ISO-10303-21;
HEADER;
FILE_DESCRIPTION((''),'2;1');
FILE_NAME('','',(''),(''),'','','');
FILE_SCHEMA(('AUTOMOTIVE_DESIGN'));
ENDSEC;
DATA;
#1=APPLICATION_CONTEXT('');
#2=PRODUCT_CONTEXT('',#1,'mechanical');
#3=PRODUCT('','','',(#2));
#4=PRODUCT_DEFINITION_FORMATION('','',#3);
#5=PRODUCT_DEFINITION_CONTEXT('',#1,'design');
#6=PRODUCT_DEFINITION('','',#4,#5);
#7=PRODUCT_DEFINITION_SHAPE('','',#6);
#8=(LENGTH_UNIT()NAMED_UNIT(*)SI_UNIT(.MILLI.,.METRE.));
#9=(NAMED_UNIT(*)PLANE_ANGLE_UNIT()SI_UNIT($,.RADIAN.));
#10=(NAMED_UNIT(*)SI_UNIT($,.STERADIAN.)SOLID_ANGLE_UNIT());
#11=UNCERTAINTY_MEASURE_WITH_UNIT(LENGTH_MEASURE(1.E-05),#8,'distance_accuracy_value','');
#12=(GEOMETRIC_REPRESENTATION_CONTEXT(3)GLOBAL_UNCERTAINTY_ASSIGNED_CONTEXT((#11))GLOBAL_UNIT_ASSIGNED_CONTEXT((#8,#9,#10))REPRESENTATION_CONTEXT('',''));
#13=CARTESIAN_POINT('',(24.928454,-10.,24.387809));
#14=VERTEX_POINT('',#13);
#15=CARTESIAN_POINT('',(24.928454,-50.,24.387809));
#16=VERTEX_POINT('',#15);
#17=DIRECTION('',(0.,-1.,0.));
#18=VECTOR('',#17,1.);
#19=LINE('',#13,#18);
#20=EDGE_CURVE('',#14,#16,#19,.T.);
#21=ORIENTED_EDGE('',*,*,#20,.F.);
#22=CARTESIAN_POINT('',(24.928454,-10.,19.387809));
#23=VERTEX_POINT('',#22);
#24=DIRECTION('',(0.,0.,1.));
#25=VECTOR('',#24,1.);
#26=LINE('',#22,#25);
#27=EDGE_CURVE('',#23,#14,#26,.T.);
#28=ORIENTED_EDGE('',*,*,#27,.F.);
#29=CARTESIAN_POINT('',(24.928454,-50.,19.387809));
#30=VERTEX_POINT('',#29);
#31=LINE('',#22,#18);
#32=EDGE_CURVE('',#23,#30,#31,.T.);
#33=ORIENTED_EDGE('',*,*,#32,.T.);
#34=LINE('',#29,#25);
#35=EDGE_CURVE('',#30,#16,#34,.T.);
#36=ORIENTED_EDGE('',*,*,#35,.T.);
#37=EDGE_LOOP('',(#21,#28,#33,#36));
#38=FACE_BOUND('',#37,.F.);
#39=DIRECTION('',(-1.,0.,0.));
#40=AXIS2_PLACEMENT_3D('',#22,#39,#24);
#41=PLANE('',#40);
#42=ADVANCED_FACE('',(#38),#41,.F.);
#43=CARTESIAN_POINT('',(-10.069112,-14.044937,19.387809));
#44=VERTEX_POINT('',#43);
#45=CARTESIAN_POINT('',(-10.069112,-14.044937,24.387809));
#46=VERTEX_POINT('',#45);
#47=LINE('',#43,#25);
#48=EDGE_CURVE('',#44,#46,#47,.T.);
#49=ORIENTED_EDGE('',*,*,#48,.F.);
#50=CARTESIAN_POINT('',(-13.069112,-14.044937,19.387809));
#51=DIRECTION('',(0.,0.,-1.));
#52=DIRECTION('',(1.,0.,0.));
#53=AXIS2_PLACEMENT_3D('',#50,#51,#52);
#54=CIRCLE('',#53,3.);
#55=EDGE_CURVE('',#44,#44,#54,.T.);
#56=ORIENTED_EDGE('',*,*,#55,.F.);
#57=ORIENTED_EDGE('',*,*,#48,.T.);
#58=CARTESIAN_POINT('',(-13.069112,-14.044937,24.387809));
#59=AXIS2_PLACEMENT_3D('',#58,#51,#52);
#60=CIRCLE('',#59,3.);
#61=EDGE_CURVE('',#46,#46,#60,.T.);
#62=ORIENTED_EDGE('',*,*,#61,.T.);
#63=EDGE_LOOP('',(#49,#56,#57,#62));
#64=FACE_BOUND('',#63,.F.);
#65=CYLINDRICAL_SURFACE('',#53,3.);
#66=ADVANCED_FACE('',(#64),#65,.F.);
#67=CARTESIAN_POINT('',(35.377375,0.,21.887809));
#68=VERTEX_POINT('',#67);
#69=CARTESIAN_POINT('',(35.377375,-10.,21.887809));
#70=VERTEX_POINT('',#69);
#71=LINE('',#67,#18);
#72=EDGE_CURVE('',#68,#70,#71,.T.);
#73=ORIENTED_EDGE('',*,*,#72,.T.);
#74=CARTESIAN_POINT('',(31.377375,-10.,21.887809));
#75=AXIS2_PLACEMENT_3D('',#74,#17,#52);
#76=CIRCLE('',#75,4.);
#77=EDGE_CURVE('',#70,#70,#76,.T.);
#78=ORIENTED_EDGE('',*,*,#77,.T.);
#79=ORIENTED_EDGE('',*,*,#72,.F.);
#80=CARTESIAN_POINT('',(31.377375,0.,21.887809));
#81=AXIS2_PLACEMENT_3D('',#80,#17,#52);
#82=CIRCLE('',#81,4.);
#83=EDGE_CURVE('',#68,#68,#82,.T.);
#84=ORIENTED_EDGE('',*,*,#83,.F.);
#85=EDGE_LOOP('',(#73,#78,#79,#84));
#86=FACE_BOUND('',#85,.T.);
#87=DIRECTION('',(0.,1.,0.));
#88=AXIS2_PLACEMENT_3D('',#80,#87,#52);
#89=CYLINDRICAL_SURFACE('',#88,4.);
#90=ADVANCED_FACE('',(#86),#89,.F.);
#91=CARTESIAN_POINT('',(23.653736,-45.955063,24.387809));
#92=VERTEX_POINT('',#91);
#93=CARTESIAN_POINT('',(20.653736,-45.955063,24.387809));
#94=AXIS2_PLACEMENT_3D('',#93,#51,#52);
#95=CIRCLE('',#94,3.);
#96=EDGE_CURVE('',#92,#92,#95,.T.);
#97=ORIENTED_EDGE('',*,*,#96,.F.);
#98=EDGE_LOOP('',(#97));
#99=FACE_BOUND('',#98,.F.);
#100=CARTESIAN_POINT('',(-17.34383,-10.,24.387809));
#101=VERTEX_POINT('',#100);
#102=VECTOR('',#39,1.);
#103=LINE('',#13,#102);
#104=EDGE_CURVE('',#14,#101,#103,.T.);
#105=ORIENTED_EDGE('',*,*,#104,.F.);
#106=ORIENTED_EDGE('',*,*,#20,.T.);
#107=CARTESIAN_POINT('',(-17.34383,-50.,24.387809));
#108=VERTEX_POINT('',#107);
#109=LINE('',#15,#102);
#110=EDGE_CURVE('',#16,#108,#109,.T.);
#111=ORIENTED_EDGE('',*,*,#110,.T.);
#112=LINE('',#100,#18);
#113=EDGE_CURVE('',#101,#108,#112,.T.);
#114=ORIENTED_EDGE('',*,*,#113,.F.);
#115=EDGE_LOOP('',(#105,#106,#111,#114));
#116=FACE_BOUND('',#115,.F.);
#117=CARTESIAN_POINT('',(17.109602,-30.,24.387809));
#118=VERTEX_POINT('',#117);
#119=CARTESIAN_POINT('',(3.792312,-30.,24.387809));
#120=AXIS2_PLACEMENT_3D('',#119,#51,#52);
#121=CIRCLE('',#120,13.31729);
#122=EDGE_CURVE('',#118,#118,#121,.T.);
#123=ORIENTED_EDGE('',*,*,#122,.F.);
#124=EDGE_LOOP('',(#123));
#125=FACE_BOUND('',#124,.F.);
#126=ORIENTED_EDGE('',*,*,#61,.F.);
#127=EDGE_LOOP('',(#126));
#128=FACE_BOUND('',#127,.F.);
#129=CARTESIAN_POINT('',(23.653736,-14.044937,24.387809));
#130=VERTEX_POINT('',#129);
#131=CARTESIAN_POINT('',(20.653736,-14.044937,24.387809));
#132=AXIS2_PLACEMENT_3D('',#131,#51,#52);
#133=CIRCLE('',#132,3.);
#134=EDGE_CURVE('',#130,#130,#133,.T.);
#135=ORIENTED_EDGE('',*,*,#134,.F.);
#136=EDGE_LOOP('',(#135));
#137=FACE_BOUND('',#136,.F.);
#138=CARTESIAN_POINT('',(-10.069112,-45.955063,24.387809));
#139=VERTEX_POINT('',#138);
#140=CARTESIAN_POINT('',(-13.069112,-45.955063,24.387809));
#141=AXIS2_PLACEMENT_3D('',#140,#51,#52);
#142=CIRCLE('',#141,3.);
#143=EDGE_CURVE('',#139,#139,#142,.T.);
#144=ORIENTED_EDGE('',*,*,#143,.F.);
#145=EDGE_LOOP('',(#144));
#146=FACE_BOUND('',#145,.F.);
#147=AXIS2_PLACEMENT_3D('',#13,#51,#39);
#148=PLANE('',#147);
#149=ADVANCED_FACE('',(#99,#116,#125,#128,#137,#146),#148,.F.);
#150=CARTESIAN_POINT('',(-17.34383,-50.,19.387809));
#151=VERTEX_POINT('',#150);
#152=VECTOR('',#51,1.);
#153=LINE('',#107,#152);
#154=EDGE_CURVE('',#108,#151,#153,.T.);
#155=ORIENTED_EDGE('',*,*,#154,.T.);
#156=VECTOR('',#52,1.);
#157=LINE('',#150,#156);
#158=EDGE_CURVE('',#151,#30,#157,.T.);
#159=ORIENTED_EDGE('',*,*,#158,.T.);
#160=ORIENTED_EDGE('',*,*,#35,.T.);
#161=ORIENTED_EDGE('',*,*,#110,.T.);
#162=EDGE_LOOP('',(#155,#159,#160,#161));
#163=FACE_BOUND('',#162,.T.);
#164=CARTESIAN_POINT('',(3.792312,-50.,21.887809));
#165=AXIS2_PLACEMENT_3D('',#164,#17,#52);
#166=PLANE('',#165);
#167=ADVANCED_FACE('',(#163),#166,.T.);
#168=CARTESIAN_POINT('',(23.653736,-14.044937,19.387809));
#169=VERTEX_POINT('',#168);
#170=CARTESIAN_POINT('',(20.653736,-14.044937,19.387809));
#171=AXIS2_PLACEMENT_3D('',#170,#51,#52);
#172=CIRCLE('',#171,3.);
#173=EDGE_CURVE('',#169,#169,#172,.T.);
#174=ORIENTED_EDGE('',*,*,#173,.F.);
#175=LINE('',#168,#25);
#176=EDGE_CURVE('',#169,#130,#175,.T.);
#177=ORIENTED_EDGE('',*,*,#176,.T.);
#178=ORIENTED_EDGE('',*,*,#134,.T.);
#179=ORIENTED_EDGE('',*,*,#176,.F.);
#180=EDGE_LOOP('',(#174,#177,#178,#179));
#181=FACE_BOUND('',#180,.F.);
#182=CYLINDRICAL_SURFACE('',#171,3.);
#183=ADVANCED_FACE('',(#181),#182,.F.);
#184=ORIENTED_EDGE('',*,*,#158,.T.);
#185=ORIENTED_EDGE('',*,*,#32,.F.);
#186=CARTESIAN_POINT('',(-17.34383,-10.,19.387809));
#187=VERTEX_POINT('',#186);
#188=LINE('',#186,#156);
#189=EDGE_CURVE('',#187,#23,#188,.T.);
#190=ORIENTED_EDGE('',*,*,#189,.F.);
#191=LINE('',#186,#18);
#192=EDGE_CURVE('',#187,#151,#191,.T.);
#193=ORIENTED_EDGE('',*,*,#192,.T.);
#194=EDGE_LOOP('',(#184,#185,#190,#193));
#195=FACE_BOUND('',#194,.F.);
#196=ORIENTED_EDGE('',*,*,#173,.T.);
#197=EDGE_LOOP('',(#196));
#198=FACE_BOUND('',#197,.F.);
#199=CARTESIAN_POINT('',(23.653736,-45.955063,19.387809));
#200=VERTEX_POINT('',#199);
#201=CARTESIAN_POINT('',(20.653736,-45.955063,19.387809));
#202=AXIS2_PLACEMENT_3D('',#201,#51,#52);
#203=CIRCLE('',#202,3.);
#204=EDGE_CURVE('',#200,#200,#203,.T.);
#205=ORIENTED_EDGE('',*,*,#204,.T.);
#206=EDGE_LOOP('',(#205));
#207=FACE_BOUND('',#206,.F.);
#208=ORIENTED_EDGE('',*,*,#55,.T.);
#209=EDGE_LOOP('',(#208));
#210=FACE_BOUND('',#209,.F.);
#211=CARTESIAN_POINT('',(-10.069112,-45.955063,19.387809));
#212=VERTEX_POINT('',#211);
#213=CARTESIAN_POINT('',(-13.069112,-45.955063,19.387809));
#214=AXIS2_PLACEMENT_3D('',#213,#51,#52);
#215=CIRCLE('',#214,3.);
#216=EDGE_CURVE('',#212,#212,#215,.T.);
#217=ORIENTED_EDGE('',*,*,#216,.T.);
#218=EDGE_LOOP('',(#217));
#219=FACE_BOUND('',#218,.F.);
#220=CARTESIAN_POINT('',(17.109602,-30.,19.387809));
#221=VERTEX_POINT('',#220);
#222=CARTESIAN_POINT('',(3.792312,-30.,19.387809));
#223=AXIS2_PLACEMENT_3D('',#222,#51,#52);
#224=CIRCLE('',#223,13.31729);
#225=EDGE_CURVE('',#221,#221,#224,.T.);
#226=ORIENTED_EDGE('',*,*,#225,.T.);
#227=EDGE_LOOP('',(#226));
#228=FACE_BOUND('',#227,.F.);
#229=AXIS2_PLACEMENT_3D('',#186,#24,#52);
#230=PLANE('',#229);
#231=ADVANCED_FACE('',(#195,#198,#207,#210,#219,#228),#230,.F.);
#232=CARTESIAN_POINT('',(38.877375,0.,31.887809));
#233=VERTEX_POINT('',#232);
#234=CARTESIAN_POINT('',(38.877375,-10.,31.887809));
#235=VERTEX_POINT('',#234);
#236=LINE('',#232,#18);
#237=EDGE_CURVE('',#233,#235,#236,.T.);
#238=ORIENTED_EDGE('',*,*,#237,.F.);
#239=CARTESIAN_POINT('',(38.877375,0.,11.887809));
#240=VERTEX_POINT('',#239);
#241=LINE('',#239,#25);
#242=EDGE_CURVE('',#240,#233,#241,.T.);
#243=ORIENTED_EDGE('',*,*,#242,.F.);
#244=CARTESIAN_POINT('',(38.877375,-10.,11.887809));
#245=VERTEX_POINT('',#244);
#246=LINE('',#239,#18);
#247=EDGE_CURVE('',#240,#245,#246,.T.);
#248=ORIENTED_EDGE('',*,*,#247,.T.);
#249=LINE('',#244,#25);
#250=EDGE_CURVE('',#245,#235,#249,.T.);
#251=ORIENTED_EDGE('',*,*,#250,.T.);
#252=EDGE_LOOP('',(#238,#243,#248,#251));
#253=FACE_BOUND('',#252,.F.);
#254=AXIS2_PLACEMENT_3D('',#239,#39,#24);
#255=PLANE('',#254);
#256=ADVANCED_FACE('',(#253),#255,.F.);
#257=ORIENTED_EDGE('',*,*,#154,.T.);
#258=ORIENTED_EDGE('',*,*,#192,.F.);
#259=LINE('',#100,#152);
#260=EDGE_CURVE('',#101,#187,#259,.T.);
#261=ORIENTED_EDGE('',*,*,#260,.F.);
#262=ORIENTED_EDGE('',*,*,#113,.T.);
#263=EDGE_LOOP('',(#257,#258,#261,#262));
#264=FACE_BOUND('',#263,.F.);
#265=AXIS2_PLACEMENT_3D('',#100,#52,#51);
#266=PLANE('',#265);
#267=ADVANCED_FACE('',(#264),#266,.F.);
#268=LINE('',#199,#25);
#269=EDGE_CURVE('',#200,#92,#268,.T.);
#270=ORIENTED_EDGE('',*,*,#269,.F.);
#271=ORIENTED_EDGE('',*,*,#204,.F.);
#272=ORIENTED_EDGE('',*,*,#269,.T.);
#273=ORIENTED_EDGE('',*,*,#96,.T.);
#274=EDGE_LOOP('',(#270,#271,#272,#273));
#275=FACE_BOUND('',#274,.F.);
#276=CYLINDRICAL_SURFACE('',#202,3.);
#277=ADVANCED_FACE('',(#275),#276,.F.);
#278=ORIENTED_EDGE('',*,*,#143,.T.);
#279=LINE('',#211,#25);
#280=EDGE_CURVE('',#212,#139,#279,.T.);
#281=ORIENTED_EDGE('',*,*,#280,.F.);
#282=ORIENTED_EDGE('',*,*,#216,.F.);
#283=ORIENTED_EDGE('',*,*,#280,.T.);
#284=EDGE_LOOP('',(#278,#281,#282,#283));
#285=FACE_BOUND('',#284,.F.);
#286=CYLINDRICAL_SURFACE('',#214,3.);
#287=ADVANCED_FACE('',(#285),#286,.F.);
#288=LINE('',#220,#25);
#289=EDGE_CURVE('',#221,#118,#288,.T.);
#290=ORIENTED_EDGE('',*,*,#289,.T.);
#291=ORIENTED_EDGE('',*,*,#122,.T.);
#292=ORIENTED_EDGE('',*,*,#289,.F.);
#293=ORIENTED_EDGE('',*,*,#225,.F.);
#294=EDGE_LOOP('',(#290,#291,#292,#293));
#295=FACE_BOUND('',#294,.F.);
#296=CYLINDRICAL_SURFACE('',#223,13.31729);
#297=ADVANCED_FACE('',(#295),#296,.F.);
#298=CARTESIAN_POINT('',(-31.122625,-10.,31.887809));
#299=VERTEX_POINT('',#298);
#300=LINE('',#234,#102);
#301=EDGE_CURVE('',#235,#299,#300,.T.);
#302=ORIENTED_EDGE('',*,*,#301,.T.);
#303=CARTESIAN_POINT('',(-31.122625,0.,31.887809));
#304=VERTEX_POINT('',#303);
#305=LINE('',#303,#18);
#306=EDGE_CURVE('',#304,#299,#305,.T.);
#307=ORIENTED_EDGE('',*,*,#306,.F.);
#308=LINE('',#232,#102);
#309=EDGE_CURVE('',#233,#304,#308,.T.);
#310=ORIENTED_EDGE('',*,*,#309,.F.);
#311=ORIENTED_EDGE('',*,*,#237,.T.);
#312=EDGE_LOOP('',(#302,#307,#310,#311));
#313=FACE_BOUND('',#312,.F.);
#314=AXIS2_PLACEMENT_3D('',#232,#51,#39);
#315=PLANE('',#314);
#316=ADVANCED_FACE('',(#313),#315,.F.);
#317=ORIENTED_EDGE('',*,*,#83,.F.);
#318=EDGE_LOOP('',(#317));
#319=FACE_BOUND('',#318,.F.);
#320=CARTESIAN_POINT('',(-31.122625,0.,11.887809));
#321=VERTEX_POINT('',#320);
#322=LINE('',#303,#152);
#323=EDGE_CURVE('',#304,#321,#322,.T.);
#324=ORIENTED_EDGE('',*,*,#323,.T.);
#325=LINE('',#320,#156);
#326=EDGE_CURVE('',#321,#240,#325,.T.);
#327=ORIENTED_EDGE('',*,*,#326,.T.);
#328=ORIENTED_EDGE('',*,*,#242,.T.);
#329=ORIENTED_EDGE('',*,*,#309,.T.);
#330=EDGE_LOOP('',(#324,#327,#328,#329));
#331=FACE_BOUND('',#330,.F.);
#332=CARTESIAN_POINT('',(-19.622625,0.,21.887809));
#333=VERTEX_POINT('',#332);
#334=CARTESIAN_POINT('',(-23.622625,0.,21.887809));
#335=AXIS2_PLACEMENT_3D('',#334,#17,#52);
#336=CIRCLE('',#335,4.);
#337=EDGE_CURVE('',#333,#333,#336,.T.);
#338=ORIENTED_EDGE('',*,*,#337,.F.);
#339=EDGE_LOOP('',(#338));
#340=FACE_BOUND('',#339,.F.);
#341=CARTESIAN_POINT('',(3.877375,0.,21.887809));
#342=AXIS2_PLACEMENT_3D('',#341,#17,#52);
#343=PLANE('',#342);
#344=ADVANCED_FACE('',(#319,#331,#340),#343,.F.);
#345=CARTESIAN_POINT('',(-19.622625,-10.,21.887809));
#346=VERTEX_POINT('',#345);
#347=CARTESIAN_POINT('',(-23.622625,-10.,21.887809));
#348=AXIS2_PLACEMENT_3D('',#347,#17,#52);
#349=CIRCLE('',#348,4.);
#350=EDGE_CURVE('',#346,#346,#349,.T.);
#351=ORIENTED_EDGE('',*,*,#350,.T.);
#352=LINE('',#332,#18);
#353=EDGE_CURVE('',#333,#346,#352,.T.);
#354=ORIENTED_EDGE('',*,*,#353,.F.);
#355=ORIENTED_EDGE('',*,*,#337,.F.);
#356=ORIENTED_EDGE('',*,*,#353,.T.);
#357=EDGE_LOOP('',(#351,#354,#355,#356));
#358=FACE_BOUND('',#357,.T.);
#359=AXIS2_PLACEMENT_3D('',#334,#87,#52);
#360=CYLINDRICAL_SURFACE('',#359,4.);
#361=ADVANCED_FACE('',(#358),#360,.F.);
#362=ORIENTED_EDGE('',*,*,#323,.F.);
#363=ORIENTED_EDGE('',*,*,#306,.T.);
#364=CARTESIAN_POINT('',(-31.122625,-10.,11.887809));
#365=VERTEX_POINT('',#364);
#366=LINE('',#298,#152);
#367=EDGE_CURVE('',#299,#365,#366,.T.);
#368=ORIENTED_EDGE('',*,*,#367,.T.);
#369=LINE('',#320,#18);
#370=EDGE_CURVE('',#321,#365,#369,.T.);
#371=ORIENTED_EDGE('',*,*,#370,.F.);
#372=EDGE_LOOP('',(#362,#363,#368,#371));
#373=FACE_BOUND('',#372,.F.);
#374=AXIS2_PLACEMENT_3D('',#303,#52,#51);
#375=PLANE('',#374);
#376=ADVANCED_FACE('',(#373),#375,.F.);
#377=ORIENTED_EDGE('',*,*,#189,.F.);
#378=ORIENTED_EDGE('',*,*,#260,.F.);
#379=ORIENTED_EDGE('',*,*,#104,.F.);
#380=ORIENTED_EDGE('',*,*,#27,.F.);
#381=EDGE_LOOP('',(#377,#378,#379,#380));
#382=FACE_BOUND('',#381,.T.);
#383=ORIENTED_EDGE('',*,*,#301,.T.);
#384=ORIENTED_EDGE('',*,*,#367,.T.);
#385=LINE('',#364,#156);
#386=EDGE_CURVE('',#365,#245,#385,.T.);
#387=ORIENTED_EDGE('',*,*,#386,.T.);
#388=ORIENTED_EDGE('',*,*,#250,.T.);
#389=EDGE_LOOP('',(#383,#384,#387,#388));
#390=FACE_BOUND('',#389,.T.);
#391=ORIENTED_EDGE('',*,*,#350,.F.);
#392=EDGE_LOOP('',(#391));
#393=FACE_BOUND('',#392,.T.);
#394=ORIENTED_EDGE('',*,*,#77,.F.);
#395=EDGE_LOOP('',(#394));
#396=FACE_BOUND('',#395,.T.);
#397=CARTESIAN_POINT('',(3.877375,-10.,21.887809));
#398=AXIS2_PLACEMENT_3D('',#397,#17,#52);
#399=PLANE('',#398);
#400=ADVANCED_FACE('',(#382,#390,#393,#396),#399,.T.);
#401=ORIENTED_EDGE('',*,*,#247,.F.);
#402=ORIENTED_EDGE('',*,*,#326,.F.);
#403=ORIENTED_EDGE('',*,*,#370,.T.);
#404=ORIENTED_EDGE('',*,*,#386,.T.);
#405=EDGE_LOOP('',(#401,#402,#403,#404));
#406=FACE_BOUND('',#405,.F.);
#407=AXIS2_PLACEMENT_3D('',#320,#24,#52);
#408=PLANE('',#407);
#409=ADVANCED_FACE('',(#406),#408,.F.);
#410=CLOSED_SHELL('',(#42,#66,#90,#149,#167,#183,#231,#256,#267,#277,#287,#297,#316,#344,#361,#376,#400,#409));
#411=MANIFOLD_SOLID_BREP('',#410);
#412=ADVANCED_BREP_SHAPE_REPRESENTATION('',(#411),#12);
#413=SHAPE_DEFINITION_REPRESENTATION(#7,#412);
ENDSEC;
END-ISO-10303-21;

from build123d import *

# Parameters (mm, degrees)
F0_R     = 4
F1_DEPTH = 10
F3_DEPTH = 40
F4_R     = 3
F4_R_2   = 13.31729
F5_DEPTH = 25


with BuildPart() as f1:
    # F0 (on Front) → F1 (new body)
    with BuildSketch(Plane.XZ):
        Polygon((38.877375, 31.887809), (-31.122625, 31.887809), (-31.122625, 11.887809), (-16.122625, 11.887809), (23.877375, 11.887809), (38.877375, 11.887809), align=None)
        with Locations((-23.622625, 21.887809)):
            Circle(F0_R, mode=Mode.SUBTRACT)
        with Locations((31.377375, 21.887809)):
            Circle(F0_R, mode=Mode.SUBTRACT)
    extrude(amount=F1_DEPTH)

    # F2 (on face) → F3 (join)
    with BuildSketch(Plane.XZ.offset(10)):
        Polygon((-17.34383, 19.387809), (-16.122625, 19.387809), (23.877375, 19.387809), (24.928454, 19.387809), (24.928454, 24.387809), (23.877375, 24.387809), (-16.122625, 24.387809), (-17.34383, 24.387809), align=None)
    extrude(amount=F3_DEPTH)

    # F4 (on face) → F5 (cut)
    with BuildSketch(Plane(origin=(0, 0, 19.387809), x_dir=(1, 0, 0), z_dir=(0, 0, -1))):
        with Locations((20.653736, 14.044937)):
            Circle(F4_R)
        with Locations((-13.069112, 14.044937)):
            Circle(F4_R)
        with Locations((-13.069112, 45.955063)):
            Circle(F4_R)
        with Locations((20.653736, 45.955063)):
            Circle(F4_R)
        with Locations((3.792312, 30)):
            Circle(F4_R_2)
    extrude(amount=-F5_DEPTH, mode=Mode.SUBTRACT)


solid = f1.part
